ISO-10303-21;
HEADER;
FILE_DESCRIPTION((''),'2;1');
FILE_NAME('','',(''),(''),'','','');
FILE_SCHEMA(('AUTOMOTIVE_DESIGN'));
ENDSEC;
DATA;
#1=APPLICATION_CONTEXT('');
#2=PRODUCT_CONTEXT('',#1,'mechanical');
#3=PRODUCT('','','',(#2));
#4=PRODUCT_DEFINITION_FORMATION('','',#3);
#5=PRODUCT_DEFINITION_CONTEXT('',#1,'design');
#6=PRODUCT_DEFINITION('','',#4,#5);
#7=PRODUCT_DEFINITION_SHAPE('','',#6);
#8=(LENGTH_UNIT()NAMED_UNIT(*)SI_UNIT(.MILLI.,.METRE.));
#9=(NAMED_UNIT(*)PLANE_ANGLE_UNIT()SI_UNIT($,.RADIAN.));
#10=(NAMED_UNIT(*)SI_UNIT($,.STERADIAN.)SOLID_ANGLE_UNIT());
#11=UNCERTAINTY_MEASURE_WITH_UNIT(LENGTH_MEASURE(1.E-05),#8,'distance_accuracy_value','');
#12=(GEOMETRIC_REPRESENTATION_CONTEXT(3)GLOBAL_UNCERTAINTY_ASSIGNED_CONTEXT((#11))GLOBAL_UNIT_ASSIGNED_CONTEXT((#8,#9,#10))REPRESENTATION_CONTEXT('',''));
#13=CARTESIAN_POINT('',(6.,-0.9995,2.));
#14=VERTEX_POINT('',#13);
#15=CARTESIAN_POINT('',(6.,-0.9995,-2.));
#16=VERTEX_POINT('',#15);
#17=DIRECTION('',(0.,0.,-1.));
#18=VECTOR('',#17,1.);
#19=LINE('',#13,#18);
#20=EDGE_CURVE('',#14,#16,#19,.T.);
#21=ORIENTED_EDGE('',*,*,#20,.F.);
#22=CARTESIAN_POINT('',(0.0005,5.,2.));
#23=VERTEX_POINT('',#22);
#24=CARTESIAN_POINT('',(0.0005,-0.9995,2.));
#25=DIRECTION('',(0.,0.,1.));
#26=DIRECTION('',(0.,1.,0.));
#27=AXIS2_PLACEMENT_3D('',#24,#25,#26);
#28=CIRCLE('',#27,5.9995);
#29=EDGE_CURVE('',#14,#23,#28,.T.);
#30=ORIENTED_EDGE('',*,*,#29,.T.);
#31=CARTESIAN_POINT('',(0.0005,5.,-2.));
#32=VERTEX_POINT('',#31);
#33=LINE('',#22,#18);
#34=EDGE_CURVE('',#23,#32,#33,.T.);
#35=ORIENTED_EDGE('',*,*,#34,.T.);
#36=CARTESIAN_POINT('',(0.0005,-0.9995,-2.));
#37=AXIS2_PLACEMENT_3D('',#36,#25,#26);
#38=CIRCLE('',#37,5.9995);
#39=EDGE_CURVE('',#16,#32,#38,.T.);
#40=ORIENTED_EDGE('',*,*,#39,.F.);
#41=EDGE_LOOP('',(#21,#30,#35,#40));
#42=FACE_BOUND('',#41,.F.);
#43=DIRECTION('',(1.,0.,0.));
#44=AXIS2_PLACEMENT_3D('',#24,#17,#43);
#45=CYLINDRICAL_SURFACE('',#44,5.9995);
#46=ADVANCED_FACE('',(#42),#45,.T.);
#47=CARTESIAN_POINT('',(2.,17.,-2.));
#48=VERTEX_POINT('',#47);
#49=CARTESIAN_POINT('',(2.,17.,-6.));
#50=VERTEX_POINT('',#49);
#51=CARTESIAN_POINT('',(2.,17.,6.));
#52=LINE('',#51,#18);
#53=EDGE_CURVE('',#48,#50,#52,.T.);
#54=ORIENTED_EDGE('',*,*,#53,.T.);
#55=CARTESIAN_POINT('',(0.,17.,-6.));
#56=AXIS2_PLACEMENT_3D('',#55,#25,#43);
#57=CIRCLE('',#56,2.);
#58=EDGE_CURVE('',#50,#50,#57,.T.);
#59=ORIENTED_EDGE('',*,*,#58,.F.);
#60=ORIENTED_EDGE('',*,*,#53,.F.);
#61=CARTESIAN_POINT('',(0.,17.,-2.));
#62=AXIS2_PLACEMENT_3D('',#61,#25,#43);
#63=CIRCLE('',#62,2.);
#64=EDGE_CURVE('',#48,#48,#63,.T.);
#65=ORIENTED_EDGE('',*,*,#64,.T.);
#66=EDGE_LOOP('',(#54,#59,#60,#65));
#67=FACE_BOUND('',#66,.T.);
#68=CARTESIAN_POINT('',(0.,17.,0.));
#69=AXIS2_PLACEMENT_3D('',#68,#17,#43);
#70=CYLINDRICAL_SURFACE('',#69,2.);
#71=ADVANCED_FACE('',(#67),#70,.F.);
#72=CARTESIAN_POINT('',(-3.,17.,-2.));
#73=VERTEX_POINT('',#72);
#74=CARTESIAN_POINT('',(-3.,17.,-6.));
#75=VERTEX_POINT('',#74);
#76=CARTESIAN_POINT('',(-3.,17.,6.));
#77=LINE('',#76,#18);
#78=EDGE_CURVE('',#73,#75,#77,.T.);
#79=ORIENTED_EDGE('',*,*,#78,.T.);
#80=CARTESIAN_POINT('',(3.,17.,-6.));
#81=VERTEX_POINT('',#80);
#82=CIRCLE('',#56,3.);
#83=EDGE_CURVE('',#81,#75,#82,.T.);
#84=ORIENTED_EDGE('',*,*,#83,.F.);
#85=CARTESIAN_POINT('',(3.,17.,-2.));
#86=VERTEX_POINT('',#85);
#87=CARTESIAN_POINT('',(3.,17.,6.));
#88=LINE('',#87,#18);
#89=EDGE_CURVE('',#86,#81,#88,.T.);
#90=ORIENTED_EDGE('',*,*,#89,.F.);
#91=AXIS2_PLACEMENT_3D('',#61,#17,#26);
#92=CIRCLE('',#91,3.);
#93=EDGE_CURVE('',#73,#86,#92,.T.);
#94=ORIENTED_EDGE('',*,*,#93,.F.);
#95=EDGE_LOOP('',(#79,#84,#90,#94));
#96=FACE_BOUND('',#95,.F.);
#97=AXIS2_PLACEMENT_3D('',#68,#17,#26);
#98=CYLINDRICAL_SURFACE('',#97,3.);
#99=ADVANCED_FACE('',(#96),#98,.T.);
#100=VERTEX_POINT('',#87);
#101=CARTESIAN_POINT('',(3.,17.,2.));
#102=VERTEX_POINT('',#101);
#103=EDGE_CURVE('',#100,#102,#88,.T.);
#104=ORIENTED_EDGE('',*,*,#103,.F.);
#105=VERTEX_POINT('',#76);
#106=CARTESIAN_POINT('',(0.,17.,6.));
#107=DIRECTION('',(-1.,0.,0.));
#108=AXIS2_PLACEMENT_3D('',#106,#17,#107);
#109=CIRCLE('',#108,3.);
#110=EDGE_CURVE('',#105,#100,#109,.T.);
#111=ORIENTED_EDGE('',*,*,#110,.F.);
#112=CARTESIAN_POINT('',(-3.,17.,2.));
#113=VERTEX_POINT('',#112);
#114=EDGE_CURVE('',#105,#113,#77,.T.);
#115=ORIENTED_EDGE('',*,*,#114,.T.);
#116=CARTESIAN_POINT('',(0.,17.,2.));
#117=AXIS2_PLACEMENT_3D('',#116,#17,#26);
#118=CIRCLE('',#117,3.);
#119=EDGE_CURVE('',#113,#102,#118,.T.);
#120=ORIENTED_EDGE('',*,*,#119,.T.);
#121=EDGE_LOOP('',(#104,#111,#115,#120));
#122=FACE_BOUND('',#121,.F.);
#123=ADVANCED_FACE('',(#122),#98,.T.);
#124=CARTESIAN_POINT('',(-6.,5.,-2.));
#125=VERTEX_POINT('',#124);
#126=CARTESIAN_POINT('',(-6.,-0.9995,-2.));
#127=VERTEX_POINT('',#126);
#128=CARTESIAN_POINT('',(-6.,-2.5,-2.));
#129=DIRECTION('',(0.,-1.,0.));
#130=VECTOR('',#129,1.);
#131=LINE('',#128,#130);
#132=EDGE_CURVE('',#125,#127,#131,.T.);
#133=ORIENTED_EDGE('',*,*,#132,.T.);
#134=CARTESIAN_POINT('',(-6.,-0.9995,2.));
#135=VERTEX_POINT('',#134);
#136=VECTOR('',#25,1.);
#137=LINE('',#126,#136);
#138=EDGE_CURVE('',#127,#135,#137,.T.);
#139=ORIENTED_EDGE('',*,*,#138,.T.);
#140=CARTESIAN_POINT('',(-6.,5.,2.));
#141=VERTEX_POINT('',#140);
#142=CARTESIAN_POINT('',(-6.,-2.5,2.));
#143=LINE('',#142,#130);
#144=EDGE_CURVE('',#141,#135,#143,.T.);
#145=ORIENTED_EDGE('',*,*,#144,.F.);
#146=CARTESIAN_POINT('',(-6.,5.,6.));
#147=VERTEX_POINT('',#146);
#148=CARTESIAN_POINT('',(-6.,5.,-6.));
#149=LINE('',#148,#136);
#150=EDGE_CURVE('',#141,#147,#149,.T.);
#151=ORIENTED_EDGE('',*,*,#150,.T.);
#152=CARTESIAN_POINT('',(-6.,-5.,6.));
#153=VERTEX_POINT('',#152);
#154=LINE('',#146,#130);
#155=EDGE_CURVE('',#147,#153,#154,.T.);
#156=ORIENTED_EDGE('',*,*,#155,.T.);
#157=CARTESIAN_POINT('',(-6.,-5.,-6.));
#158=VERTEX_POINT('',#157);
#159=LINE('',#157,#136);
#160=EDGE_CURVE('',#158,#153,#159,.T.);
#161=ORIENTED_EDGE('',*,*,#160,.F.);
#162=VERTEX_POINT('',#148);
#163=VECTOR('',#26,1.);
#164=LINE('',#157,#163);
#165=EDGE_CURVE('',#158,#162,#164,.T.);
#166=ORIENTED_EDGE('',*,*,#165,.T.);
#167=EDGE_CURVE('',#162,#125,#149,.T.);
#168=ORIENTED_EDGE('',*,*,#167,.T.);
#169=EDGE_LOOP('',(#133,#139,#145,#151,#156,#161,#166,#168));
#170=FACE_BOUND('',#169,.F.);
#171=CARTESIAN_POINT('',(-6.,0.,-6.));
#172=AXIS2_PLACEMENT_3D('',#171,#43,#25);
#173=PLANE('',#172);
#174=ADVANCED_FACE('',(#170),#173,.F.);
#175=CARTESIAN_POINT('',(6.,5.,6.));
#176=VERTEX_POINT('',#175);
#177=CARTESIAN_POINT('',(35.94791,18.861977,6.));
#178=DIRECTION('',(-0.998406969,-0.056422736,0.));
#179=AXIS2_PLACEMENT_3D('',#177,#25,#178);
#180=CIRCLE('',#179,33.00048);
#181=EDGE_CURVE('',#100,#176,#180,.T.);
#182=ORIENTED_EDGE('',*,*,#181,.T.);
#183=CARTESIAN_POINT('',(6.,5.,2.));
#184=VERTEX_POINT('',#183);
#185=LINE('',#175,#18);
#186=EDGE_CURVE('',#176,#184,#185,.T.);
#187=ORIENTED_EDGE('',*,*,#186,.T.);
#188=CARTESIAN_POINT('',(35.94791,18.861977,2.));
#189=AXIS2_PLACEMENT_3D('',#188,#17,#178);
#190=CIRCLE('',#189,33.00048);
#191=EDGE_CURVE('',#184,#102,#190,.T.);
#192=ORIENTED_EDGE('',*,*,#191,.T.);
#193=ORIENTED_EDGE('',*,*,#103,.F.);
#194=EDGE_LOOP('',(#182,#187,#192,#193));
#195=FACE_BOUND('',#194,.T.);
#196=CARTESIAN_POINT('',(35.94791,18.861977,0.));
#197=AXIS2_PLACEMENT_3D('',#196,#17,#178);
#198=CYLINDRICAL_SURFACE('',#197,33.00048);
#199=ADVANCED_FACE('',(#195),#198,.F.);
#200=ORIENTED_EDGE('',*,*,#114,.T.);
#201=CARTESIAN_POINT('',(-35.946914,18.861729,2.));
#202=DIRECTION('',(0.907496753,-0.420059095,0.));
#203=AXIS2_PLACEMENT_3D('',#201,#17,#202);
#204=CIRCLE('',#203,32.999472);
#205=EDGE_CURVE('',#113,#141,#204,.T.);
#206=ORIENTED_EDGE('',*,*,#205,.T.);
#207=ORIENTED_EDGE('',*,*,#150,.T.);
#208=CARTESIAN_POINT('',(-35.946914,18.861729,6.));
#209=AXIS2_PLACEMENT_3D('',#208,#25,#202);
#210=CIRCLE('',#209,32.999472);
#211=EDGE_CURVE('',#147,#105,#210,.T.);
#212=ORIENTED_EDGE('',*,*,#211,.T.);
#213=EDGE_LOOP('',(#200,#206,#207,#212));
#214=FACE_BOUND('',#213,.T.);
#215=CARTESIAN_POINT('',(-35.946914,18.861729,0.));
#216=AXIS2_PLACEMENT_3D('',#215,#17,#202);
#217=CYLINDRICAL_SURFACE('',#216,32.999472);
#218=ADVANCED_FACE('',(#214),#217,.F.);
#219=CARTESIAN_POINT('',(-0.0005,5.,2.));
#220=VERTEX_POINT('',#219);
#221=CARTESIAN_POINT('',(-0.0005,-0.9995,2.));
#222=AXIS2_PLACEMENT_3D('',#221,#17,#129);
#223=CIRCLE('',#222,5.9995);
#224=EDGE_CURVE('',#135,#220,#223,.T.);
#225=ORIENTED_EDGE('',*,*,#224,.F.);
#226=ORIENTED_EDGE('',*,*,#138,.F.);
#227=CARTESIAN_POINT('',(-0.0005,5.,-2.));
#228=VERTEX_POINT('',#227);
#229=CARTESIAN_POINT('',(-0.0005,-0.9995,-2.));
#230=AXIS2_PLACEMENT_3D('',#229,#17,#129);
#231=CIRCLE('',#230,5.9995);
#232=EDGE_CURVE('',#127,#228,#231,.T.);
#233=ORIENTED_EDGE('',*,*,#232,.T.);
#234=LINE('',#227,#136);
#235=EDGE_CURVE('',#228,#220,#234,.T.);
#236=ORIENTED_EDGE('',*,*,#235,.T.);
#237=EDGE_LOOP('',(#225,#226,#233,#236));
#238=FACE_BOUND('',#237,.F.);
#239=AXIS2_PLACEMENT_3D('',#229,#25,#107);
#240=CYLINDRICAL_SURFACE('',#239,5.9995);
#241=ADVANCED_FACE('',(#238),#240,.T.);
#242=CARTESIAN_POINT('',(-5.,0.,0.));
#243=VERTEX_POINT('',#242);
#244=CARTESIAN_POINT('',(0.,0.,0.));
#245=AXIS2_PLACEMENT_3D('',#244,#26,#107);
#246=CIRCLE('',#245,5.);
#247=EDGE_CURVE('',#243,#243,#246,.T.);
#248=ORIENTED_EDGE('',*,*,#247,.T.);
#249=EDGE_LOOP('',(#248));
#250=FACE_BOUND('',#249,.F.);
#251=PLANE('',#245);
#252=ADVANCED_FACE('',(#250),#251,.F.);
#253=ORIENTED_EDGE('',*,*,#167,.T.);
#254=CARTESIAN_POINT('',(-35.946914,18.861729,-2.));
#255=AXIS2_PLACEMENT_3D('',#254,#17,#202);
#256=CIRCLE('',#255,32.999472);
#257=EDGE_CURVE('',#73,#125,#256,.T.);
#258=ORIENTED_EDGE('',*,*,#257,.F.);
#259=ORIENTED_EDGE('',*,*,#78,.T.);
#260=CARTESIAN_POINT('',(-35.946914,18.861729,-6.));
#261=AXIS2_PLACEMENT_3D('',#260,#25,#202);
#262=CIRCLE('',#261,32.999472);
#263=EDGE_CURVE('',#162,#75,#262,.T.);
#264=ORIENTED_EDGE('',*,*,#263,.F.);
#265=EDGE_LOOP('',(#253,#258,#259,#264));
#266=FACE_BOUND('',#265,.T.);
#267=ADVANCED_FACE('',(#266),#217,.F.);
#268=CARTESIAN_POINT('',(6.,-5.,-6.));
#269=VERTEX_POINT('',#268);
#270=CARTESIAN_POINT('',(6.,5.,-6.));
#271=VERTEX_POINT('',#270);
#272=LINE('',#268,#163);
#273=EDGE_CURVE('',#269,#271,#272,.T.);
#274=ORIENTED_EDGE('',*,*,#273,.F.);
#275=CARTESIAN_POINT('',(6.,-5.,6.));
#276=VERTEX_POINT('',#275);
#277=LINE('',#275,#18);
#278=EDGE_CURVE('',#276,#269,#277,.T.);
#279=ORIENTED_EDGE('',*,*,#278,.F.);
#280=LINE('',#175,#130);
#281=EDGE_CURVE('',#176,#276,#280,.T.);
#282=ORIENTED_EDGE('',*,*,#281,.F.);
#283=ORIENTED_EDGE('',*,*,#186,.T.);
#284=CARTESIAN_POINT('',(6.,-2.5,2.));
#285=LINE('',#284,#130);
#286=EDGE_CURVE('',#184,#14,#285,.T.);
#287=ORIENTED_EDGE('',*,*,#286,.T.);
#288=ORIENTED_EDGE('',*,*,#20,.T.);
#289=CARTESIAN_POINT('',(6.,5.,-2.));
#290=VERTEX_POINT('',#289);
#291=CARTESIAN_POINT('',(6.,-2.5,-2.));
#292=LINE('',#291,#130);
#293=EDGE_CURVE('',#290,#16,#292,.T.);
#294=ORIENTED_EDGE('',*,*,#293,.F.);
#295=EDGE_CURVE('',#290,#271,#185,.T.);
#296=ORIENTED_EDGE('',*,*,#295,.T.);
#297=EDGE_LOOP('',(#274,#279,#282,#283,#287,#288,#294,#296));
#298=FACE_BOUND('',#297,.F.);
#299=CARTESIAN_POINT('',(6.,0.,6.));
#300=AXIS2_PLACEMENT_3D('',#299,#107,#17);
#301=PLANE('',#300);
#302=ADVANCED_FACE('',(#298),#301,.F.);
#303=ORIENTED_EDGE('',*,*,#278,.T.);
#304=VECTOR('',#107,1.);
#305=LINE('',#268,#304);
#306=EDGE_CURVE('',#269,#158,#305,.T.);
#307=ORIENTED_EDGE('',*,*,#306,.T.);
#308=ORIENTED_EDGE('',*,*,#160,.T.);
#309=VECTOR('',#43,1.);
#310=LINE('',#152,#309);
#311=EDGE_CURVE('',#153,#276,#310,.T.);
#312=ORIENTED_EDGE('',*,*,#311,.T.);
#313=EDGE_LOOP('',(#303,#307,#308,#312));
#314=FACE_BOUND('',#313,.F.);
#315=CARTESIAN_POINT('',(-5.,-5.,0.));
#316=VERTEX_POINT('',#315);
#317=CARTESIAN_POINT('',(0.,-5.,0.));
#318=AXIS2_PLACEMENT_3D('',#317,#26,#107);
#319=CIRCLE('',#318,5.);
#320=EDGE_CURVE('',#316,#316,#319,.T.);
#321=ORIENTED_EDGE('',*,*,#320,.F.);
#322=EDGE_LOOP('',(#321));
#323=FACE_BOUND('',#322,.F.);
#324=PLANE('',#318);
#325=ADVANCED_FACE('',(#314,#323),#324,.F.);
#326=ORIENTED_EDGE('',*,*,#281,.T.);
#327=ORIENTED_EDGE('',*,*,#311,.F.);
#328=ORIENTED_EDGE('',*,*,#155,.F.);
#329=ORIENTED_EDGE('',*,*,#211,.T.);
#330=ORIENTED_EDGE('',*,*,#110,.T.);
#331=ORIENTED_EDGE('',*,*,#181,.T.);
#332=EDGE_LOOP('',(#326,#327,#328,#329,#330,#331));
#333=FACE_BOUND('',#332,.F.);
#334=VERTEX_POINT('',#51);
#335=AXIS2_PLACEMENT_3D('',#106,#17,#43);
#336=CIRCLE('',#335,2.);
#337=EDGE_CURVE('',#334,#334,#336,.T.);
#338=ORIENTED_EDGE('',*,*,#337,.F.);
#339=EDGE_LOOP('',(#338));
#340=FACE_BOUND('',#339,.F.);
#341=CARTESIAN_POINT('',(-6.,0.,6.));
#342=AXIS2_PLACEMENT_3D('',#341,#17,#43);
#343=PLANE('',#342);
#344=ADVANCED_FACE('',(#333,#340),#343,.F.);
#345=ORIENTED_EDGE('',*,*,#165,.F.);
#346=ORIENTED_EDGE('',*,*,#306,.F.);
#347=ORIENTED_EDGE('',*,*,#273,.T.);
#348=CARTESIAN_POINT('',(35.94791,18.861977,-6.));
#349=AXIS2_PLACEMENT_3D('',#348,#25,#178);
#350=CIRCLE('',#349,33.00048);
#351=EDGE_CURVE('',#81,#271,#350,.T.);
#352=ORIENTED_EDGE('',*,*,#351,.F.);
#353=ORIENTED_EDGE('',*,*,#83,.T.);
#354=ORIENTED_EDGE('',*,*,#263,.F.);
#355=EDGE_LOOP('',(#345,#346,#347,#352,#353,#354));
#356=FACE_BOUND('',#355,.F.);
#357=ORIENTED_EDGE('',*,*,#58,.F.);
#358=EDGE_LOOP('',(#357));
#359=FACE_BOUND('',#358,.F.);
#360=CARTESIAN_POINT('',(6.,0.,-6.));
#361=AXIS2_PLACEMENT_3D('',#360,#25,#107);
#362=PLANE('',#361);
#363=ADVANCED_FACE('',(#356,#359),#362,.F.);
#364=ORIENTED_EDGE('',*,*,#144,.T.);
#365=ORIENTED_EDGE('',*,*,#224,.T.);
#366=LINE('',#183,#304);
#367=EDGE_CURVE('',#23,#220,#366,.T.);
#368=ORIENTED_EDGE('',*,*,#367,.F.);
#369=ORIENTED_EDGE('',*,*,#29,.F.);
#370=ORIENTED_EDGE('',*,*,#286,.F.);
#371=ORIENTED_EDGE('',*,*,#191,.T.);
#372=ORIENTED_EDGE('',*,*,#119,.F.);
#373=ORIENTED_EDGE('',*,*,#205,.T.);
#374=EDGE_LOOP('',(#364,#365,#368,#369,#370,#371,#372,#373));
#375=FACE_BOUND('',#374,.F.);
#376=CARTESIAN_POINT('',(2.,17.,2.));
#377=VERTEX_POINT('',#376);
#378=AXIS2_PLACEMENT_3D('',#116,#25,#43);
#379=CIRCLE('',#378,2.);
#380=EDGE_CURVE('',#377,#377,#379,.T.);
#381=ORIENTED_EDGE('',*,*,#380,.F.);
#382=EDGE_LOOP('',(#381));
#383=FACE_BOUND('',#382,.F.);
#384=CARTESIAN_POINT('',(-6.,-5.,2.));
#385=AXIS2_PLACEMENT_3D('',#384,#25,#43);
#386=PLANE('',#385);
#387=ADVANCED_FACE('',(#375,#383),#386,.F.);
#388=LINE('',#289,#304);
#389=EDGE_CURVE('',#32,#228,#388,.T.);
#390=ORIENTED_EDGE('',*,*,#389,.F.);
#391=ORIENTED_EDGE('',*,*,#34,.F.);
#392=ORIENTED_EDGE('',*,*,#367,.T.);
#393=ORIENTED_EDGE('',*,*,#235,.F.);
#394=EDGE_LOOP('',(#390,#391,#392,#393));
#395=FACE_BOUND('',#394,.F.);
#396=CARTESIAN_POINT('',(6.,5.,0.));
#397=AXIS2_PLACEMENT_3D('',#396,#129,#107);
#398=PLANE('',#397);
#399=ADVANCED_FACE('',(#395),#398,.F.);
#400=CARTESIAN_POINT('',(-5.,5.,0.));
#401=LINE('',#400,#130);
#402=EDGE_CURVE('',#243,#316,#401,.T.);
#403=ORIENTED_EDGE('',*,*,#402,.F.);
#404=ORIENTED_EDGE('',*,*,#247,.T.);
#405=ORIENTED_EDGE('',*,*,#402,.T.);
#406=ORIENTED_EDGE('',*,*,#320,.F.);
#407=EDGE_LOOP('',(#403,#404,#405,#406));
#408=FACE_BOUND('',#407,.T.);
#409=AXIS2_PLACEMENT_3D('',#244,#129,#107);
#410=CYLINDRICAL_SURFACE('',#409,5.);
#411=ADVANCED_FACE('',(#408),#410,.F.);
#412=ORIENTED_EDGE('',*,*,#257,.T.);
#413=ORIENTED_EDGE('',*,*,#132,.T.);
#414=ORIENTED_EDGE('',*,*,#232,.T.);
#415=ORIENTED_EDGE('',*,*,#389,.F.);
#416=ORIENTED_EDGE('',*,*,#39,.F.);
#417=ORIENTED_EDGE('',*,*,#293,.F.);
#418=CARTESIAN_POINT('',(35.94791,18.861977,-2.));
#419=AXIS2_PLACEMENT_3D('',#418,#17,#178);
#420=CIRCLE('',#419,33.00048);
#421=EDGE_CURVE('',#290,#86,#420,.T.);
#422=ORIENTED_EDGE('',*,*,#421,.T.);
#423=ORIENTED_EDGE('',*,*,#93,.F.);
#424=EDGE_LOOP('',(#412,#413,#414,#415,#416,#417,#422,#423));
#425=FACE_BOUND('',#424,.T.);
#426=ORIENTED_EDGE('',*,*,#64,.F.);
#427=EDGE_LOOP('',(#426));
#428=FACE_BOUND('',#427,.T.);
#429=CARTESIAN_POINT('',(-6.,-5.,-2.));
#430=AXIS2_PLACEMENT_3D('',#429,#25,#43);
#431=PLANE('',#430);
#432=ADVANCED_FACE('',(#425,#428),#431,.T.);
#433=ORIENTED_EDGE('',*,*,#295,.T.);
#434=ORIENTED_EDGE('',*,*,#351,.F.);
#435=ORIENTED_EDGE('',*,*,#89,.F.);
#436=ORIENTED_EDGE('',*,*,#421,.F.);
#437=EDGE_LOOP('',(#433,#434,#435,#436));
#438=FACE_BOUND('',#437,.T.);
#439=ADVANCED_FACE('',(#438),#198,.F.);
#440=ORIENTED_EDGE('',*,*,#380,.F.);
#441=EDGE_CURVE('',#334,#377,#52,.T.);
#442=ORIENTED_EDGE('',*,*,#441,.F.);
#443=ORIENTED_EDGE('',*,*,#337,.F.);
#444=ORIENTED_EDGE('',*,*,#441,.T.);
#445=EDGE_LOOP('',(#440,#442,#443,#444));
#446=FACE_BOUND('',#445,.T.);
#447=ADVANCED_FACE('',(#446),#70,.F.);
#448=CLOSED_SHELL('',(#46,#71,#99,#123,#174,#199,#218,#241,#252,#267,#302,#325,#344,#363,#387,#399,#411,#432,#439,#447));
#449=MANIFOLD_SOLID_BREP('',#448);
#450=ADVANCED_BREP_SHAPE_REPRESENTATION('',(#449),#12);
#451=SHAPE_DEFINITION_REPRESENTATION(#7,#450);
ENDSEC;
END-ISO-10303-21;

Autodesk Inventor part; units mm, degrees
ref_plane "YZ Plane" through (0, 0, 0) normal (1, 0, 0) x (0, 1, 0)
sketch "Szkic3" plane through (0, 0, 0) normal (0, 1, 0) x (-1, 0, 0)
  circle A0 centre (0, 0) radius 5
  line L0 (-6, -6) -> (6, -6)
  line L1 (6, -6) -> (6, 6)
  line L2 (6, 6) -> (-6, 6)
  line L3 (-6, 6) -> (-6, -6)
  line L4 (-6, -6) -> (6, 6) construction
  line L5 (6, -6) -> (-6, 6) construction
  dimension "d12" = 10
  dimension "d15" = 12
  dimension "d16" = 12
extrude "Wyciągnięcie proste3" add sketch "Szkic3" along normal mid plane 10
extrude "Wyciągnięcie proste4" add sketch "Szkic3" along normal blind 5 contours A0
ref_plane "Płaszczyzna konstrukcyjna2" through (-6, 5, 0) normal (0, 0, 1) x (1, 0, 0)
sketch "Szkic7" plane through (-6, 5, 0) normal (0, 0, 1) x (1, 0, 0)
  line L0 (0, -10) -> (0, 0) projected
  line L1 (0, 0) -> (12, 0)
  line L2 (12, 0) -> (6, 0)
  line L3 (6, 0) -> (6, 12) construction
  circle A0 centre (6, 12) radius 2
  line L4 (6, 12) -> (8, 12) construction
  line L5 (8, 12) -> (9, 12)
  line L6 (6, 12) -> (6, 14) construction
  line L7 (6, 14) -> (6, 15)
  arc A1 (9, 12) -> (6, 15) centre (6, 12) ccw
  arc A2 (9, 12) -> (12, 0) centre (41.9474, 13.8619) ccw
  line L8 (4, 12) -> (3, 12)
  arc A3 (6, 15) -> (3, 12) centre (6, 12) ccw
  arc A4 (0, 0) -> (3, 12) centre (-29.9474, 13.8619) ccw
  point P0 (6, -5)
  dimension "d61" = 12
  dimension "d62" = 4
  dimension "d63" = 1
  dimension "d64" = 2
  dimension "d65" = 1
  dimension "d66" = 3
  dimension "d67" = 33
  dimension "d68" = 1
  dimension "d69" = 2
  dimension "d70" = 3
  dimension "d71" = 33
extrude "Wyciągnięcie proste7" add sketch "Szkic7" along normal mid plane 12 contours A4 L8 A0 L5 A2 L1 | A3 L7 A0 L8 | A1 L5 A0 L7
ref_plane "Płaszczyzna konstrukcyjna3" through (-6, -5, 0) normal (0, 0, 1) x (1, 0, 0)
sketch "Szkic9" plane through (-6, -5, 0) normal (0, 0, 1) x (1, 0, 0)
  arc A0 (9, 22) -> (12, 10) centre (41.9474, 23.8619) ccw projected
  line L0 (0, 34) -> (12, 34)
  line L1 (12, 34) -> (12, 10)
  line L2 (12, 10) -> (0, 10)
  line L3 (0, 10) -> (0, 34)
  circle A1 centre (6, 22) radius 2 projected
  line L4 (0, 34) -> (12, 10) construction
  line L5 (12, 34) -> (0, 10) construction
  point P0 (6, 5)
extrude "Wyciągnięcie proste9" cut sketch "Szkic9" along normal mid plane 4
fillet "Zaokrąglenie7" radius 6 2 edges at (6, 5, 0) (-6, 5, 0)
properties part number "Connector_hollow"
